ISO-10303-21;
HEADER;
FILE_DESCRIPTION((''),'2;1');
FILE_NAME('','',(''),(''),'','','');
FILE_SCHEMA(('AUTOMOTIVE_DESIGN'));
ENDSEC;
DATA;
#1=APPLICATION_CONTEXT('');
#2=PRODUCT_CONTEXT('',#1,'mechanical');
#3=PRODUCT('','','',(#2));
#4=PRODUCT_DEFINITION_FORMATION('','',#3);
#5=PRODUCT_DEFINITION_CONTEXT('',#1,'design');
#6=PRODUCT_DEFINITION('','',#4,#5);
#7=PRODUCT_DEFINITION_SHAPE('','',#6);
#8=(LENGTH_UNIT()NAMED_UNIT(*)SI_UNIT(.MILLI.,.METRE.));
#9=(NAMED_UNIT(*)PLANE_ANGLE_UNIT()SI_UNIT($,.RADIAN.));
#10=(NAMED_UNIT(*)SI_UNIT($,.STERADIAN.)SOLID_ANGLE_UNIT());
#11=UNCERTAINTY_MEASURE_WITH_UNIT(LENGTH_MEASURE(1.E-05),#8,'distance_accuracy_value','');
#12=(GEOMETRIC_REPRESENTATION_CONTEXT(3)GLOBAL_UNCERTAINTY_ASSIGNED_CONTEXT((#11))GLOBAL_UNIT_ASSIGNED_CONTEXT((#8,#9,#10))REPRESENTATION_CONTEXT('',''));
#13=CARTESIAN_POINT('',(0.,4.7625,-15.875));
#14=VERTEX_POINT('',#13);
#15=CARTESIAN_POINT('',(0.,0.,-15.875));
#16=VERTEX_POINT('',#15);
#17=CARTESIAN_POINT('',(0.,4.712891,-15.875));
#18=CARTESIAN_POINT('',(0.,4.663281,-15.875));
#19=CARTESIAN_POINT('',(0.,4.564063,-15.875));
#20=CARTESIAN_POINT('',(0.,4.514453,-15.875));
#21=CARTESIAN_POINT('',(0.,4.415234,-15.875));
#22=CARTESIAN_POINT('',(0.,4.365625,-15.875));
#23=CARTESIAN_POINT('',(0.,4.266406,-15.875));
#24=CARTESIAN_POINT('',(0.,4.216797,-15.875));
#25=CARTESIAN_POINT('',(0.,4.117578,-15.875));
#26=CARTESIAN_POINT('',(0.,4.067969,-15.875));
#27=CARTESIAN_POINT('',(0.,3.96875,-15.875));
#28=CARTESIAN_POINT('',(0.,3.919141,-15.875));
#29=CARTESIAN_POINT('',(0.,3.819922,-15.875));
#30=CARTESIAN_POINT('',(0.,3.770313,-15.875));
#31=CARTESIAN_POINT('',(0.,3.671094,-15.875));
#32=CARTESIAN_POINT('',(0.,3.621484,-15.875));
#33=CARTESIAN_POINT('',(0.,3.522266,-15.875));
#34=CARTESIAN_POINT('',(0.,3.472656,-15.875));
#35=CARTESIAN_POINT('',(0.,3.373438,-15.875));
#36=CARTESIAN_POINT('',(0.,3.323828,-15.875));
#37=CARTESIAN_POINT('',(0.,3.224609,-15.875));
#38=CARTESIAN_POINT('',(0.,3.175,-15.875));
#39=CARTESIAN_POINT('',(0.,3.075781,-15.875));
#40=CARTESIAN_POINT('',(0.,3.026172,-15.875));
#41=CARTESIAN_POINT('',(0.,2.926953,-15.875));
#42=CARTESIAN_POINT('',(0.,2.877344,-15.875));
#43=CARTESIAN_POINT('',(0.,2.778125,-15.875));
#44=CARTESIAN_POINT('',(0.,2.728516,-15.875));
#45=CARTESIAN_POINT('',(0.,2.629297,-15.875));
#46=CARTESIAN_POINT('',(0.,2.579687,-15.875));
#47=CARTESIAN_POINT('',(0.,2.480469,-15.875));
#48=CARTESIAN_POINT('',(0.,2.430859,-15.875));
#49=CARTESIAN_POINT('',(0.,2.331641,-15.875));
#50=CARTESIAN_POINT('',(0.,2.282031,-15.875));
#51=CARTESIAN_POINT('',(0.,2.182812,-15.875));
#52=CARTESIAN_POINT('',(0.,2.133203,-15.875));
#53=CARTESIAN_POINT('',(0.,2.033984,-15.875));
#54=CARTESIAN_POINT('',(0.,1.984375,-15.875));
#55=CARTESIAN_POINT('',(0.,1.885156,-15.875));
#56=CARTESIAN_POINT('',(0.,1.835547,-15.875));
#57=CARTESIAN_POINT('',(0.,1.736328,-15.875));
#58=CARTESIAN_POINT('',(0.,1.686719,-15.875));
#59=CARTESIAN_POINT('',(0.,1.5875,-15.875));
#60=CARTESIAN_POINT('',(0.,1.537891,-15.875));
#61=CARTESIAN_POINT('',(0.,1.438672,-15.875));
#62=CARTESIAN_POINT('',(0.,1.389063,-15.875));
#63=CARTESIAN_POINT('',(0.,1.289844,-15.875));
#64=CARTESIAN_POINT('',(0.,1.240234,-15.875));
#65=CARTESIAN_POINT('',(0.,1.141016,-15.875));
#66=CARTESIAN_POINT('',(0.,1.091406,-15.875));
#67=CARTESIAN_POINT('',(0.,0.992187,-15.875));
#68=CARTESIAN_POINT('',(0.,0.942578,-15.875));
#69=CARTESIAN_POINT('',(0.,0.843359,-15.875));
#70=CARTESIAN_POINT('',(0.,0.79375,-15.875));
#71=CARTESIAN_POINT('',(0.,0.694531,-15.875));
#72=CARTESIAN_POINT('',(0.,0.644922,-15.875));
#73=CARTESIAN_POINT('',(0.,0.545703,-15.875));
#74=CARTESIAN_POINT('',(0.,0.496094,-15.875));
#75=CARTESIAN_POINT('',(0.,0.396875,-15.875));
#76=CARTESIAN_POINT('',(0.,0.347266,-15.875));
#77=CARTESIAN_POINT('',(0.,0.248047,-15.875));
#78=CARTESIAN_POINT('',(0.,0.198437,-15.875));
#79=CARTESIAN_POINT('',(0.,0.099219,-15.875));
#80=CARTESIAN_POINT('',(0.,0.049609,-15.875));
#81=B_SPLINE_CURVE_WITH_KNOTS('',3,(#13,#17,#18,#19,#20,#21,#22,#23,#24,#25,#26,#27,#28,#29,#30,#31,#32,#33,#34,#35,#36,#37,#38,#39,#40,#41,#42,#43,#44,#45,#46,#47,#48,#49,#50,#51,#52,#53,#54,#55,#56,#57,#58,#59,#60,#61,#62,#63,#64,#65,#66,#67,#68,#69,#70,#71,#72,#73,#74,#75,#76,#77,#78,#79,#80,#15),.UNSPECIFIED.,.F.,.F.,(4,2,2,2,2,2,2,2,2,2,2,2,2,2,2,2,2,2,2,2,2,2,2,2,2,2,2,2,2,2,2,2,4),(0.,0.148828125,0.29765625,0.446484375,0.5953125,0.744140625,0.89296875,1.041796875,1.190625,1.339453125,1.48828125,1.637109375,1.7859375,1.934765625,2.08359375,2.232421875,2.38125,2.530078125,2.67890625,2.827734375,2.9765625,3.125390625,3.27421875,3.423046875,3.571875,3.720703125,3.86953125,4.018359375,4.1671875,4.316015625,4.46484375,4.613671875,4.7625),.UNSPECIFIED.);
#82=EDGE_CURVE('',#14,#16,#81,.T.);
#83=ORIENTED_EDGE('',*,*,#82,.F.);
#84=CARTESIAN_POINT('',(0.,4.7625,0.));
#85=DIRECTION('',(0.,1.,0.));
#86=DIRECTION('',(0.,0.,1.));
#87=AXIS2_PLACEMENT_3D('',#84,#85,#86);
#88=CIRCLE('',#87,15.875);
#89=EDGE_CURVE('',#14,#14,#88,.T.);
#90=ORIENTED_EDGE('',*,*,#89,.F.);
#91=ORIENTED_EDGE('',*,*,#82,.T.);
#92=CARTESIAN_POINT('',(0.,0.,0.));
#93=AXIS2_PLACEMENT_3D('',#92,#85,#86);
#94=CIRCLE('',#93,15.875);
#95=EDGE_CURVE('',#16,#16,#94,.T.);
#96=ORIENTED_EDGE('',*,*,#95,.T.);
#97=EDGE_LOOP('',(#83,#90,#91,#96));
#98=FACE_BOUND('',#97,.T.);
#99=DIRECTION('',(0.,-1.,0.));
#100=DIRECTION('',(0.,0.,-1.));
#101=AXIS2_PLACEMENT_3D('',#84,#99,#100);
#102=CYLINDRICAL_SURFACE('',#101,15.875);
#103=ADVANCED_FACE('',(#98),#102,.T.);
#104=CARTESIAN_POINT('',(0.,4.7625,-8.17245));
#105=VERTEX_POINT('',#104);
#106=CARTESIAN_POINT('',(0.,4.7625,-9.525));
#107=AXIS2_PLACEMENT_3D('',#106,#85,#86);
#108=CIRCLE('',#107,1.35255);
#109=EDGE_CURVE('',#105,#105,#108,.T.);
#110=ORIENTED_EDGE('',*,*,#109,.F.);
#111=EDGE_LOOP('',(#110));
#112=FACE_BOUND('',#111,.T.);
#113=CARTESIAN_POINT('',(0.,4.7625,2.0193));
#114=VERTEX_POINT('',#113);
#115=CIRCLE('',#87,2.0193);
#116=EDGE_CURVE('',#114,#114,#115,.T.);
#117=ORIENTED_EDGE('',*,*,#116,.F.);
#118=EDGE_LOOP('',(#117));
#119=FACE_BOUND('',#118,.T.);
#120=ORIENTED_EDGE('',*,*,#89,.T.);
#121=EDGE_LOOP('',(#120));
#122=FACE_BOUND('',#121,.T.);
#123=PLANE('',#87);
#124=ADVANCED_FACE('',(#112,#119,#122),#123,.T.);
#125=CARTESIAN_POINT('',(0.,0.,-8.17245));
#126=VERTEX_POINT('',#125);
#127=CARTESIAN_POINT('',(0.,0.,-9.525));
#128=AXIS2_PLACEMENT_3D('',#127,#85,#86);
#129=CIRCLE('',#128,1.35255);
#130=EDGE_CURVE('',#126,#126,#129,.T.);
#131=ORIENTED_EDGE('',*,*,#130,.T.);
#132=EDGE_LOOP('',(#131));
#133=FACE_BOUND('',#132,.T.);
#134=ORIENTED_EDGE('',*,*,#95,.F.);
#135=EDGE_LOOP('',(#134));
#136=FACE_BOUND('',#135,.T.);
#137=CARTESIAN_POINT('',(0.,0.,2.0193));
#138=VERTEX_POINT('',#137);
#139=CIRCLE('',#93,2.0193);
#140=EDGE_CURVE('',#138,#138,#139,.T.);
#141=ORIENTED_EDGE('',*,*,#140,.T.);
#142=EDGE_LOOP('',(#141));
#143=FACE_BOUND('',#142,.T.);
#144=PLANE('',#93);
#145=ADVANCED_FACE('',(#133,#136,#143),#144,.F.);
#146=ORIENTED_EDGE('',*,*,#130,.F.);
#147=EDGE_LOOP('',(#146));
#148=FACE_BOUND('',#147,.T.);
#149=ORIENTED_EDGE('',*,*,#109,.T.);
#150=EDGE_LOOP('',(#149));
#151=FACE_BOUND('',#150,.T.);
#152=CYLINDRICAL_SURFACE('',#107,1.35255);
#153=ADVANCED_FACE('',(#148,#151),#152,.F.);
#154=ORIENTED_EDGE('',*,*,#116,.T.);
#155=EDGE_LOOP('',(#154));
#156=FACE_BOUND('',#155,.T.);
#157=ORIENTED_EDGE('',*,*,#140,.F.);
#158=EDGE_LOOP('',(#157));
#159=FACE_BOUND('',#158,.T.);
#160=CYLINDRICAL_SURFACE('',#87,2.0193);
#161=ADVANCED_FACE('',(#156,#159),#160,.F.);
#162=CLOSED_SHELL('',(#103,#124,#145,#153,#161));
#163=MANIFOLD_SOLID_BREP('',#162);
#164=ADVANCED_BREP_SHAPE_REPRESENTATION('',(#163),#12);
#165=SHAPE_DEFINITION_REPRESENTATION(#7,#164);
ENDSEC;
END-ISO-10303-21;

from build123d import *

# Parameters (mm, degrees)
SKETCH1_R              = 15.875
BOSS_EXTRUDE1_DEPTH    = 4.7625
F_10_32_TAPPED_HOLE1_D = 4.0386
F_6_32_TAPPED_HOLE1_D  = 2.7051


with BuildPart() as part:
    # Sketch1 → Boss-Extrude1 (new body)
    with BuildSketch(Plane(origin=(0, 0, 0), x_dir=(1, 0, 0), z_dir=(0, 1, 0))):
        with Locations(Location((0, 0, 0), (0, 0, 90))):
            Circle(SKETCH1_R)
    extrude(amount=BOSS_EXTRUDE1_DEPTH)

    # #10-32 Tapped Hole1 (through all)
    with Locations(Plane(origin=(0, 4.7625, 0), x_dir=(1, 0, 0), z_dir=(0, 1, 0))):
        with Locations((0, 0)):
            Hole(F_10_32_TAPPED_HOLE1_D / 2)

    # #6-32 Tapped Hole1 (through all)
    with Locations(Plane(origin=(0, 4.7625, 0), x_dir=(1, 0, 0), z_dir=(0, 1, 0))):
        with Locations((0, 9.525)):
            Hole(F_6_32_TAPPED_HOLE1_D / 2)


solid = part.part
